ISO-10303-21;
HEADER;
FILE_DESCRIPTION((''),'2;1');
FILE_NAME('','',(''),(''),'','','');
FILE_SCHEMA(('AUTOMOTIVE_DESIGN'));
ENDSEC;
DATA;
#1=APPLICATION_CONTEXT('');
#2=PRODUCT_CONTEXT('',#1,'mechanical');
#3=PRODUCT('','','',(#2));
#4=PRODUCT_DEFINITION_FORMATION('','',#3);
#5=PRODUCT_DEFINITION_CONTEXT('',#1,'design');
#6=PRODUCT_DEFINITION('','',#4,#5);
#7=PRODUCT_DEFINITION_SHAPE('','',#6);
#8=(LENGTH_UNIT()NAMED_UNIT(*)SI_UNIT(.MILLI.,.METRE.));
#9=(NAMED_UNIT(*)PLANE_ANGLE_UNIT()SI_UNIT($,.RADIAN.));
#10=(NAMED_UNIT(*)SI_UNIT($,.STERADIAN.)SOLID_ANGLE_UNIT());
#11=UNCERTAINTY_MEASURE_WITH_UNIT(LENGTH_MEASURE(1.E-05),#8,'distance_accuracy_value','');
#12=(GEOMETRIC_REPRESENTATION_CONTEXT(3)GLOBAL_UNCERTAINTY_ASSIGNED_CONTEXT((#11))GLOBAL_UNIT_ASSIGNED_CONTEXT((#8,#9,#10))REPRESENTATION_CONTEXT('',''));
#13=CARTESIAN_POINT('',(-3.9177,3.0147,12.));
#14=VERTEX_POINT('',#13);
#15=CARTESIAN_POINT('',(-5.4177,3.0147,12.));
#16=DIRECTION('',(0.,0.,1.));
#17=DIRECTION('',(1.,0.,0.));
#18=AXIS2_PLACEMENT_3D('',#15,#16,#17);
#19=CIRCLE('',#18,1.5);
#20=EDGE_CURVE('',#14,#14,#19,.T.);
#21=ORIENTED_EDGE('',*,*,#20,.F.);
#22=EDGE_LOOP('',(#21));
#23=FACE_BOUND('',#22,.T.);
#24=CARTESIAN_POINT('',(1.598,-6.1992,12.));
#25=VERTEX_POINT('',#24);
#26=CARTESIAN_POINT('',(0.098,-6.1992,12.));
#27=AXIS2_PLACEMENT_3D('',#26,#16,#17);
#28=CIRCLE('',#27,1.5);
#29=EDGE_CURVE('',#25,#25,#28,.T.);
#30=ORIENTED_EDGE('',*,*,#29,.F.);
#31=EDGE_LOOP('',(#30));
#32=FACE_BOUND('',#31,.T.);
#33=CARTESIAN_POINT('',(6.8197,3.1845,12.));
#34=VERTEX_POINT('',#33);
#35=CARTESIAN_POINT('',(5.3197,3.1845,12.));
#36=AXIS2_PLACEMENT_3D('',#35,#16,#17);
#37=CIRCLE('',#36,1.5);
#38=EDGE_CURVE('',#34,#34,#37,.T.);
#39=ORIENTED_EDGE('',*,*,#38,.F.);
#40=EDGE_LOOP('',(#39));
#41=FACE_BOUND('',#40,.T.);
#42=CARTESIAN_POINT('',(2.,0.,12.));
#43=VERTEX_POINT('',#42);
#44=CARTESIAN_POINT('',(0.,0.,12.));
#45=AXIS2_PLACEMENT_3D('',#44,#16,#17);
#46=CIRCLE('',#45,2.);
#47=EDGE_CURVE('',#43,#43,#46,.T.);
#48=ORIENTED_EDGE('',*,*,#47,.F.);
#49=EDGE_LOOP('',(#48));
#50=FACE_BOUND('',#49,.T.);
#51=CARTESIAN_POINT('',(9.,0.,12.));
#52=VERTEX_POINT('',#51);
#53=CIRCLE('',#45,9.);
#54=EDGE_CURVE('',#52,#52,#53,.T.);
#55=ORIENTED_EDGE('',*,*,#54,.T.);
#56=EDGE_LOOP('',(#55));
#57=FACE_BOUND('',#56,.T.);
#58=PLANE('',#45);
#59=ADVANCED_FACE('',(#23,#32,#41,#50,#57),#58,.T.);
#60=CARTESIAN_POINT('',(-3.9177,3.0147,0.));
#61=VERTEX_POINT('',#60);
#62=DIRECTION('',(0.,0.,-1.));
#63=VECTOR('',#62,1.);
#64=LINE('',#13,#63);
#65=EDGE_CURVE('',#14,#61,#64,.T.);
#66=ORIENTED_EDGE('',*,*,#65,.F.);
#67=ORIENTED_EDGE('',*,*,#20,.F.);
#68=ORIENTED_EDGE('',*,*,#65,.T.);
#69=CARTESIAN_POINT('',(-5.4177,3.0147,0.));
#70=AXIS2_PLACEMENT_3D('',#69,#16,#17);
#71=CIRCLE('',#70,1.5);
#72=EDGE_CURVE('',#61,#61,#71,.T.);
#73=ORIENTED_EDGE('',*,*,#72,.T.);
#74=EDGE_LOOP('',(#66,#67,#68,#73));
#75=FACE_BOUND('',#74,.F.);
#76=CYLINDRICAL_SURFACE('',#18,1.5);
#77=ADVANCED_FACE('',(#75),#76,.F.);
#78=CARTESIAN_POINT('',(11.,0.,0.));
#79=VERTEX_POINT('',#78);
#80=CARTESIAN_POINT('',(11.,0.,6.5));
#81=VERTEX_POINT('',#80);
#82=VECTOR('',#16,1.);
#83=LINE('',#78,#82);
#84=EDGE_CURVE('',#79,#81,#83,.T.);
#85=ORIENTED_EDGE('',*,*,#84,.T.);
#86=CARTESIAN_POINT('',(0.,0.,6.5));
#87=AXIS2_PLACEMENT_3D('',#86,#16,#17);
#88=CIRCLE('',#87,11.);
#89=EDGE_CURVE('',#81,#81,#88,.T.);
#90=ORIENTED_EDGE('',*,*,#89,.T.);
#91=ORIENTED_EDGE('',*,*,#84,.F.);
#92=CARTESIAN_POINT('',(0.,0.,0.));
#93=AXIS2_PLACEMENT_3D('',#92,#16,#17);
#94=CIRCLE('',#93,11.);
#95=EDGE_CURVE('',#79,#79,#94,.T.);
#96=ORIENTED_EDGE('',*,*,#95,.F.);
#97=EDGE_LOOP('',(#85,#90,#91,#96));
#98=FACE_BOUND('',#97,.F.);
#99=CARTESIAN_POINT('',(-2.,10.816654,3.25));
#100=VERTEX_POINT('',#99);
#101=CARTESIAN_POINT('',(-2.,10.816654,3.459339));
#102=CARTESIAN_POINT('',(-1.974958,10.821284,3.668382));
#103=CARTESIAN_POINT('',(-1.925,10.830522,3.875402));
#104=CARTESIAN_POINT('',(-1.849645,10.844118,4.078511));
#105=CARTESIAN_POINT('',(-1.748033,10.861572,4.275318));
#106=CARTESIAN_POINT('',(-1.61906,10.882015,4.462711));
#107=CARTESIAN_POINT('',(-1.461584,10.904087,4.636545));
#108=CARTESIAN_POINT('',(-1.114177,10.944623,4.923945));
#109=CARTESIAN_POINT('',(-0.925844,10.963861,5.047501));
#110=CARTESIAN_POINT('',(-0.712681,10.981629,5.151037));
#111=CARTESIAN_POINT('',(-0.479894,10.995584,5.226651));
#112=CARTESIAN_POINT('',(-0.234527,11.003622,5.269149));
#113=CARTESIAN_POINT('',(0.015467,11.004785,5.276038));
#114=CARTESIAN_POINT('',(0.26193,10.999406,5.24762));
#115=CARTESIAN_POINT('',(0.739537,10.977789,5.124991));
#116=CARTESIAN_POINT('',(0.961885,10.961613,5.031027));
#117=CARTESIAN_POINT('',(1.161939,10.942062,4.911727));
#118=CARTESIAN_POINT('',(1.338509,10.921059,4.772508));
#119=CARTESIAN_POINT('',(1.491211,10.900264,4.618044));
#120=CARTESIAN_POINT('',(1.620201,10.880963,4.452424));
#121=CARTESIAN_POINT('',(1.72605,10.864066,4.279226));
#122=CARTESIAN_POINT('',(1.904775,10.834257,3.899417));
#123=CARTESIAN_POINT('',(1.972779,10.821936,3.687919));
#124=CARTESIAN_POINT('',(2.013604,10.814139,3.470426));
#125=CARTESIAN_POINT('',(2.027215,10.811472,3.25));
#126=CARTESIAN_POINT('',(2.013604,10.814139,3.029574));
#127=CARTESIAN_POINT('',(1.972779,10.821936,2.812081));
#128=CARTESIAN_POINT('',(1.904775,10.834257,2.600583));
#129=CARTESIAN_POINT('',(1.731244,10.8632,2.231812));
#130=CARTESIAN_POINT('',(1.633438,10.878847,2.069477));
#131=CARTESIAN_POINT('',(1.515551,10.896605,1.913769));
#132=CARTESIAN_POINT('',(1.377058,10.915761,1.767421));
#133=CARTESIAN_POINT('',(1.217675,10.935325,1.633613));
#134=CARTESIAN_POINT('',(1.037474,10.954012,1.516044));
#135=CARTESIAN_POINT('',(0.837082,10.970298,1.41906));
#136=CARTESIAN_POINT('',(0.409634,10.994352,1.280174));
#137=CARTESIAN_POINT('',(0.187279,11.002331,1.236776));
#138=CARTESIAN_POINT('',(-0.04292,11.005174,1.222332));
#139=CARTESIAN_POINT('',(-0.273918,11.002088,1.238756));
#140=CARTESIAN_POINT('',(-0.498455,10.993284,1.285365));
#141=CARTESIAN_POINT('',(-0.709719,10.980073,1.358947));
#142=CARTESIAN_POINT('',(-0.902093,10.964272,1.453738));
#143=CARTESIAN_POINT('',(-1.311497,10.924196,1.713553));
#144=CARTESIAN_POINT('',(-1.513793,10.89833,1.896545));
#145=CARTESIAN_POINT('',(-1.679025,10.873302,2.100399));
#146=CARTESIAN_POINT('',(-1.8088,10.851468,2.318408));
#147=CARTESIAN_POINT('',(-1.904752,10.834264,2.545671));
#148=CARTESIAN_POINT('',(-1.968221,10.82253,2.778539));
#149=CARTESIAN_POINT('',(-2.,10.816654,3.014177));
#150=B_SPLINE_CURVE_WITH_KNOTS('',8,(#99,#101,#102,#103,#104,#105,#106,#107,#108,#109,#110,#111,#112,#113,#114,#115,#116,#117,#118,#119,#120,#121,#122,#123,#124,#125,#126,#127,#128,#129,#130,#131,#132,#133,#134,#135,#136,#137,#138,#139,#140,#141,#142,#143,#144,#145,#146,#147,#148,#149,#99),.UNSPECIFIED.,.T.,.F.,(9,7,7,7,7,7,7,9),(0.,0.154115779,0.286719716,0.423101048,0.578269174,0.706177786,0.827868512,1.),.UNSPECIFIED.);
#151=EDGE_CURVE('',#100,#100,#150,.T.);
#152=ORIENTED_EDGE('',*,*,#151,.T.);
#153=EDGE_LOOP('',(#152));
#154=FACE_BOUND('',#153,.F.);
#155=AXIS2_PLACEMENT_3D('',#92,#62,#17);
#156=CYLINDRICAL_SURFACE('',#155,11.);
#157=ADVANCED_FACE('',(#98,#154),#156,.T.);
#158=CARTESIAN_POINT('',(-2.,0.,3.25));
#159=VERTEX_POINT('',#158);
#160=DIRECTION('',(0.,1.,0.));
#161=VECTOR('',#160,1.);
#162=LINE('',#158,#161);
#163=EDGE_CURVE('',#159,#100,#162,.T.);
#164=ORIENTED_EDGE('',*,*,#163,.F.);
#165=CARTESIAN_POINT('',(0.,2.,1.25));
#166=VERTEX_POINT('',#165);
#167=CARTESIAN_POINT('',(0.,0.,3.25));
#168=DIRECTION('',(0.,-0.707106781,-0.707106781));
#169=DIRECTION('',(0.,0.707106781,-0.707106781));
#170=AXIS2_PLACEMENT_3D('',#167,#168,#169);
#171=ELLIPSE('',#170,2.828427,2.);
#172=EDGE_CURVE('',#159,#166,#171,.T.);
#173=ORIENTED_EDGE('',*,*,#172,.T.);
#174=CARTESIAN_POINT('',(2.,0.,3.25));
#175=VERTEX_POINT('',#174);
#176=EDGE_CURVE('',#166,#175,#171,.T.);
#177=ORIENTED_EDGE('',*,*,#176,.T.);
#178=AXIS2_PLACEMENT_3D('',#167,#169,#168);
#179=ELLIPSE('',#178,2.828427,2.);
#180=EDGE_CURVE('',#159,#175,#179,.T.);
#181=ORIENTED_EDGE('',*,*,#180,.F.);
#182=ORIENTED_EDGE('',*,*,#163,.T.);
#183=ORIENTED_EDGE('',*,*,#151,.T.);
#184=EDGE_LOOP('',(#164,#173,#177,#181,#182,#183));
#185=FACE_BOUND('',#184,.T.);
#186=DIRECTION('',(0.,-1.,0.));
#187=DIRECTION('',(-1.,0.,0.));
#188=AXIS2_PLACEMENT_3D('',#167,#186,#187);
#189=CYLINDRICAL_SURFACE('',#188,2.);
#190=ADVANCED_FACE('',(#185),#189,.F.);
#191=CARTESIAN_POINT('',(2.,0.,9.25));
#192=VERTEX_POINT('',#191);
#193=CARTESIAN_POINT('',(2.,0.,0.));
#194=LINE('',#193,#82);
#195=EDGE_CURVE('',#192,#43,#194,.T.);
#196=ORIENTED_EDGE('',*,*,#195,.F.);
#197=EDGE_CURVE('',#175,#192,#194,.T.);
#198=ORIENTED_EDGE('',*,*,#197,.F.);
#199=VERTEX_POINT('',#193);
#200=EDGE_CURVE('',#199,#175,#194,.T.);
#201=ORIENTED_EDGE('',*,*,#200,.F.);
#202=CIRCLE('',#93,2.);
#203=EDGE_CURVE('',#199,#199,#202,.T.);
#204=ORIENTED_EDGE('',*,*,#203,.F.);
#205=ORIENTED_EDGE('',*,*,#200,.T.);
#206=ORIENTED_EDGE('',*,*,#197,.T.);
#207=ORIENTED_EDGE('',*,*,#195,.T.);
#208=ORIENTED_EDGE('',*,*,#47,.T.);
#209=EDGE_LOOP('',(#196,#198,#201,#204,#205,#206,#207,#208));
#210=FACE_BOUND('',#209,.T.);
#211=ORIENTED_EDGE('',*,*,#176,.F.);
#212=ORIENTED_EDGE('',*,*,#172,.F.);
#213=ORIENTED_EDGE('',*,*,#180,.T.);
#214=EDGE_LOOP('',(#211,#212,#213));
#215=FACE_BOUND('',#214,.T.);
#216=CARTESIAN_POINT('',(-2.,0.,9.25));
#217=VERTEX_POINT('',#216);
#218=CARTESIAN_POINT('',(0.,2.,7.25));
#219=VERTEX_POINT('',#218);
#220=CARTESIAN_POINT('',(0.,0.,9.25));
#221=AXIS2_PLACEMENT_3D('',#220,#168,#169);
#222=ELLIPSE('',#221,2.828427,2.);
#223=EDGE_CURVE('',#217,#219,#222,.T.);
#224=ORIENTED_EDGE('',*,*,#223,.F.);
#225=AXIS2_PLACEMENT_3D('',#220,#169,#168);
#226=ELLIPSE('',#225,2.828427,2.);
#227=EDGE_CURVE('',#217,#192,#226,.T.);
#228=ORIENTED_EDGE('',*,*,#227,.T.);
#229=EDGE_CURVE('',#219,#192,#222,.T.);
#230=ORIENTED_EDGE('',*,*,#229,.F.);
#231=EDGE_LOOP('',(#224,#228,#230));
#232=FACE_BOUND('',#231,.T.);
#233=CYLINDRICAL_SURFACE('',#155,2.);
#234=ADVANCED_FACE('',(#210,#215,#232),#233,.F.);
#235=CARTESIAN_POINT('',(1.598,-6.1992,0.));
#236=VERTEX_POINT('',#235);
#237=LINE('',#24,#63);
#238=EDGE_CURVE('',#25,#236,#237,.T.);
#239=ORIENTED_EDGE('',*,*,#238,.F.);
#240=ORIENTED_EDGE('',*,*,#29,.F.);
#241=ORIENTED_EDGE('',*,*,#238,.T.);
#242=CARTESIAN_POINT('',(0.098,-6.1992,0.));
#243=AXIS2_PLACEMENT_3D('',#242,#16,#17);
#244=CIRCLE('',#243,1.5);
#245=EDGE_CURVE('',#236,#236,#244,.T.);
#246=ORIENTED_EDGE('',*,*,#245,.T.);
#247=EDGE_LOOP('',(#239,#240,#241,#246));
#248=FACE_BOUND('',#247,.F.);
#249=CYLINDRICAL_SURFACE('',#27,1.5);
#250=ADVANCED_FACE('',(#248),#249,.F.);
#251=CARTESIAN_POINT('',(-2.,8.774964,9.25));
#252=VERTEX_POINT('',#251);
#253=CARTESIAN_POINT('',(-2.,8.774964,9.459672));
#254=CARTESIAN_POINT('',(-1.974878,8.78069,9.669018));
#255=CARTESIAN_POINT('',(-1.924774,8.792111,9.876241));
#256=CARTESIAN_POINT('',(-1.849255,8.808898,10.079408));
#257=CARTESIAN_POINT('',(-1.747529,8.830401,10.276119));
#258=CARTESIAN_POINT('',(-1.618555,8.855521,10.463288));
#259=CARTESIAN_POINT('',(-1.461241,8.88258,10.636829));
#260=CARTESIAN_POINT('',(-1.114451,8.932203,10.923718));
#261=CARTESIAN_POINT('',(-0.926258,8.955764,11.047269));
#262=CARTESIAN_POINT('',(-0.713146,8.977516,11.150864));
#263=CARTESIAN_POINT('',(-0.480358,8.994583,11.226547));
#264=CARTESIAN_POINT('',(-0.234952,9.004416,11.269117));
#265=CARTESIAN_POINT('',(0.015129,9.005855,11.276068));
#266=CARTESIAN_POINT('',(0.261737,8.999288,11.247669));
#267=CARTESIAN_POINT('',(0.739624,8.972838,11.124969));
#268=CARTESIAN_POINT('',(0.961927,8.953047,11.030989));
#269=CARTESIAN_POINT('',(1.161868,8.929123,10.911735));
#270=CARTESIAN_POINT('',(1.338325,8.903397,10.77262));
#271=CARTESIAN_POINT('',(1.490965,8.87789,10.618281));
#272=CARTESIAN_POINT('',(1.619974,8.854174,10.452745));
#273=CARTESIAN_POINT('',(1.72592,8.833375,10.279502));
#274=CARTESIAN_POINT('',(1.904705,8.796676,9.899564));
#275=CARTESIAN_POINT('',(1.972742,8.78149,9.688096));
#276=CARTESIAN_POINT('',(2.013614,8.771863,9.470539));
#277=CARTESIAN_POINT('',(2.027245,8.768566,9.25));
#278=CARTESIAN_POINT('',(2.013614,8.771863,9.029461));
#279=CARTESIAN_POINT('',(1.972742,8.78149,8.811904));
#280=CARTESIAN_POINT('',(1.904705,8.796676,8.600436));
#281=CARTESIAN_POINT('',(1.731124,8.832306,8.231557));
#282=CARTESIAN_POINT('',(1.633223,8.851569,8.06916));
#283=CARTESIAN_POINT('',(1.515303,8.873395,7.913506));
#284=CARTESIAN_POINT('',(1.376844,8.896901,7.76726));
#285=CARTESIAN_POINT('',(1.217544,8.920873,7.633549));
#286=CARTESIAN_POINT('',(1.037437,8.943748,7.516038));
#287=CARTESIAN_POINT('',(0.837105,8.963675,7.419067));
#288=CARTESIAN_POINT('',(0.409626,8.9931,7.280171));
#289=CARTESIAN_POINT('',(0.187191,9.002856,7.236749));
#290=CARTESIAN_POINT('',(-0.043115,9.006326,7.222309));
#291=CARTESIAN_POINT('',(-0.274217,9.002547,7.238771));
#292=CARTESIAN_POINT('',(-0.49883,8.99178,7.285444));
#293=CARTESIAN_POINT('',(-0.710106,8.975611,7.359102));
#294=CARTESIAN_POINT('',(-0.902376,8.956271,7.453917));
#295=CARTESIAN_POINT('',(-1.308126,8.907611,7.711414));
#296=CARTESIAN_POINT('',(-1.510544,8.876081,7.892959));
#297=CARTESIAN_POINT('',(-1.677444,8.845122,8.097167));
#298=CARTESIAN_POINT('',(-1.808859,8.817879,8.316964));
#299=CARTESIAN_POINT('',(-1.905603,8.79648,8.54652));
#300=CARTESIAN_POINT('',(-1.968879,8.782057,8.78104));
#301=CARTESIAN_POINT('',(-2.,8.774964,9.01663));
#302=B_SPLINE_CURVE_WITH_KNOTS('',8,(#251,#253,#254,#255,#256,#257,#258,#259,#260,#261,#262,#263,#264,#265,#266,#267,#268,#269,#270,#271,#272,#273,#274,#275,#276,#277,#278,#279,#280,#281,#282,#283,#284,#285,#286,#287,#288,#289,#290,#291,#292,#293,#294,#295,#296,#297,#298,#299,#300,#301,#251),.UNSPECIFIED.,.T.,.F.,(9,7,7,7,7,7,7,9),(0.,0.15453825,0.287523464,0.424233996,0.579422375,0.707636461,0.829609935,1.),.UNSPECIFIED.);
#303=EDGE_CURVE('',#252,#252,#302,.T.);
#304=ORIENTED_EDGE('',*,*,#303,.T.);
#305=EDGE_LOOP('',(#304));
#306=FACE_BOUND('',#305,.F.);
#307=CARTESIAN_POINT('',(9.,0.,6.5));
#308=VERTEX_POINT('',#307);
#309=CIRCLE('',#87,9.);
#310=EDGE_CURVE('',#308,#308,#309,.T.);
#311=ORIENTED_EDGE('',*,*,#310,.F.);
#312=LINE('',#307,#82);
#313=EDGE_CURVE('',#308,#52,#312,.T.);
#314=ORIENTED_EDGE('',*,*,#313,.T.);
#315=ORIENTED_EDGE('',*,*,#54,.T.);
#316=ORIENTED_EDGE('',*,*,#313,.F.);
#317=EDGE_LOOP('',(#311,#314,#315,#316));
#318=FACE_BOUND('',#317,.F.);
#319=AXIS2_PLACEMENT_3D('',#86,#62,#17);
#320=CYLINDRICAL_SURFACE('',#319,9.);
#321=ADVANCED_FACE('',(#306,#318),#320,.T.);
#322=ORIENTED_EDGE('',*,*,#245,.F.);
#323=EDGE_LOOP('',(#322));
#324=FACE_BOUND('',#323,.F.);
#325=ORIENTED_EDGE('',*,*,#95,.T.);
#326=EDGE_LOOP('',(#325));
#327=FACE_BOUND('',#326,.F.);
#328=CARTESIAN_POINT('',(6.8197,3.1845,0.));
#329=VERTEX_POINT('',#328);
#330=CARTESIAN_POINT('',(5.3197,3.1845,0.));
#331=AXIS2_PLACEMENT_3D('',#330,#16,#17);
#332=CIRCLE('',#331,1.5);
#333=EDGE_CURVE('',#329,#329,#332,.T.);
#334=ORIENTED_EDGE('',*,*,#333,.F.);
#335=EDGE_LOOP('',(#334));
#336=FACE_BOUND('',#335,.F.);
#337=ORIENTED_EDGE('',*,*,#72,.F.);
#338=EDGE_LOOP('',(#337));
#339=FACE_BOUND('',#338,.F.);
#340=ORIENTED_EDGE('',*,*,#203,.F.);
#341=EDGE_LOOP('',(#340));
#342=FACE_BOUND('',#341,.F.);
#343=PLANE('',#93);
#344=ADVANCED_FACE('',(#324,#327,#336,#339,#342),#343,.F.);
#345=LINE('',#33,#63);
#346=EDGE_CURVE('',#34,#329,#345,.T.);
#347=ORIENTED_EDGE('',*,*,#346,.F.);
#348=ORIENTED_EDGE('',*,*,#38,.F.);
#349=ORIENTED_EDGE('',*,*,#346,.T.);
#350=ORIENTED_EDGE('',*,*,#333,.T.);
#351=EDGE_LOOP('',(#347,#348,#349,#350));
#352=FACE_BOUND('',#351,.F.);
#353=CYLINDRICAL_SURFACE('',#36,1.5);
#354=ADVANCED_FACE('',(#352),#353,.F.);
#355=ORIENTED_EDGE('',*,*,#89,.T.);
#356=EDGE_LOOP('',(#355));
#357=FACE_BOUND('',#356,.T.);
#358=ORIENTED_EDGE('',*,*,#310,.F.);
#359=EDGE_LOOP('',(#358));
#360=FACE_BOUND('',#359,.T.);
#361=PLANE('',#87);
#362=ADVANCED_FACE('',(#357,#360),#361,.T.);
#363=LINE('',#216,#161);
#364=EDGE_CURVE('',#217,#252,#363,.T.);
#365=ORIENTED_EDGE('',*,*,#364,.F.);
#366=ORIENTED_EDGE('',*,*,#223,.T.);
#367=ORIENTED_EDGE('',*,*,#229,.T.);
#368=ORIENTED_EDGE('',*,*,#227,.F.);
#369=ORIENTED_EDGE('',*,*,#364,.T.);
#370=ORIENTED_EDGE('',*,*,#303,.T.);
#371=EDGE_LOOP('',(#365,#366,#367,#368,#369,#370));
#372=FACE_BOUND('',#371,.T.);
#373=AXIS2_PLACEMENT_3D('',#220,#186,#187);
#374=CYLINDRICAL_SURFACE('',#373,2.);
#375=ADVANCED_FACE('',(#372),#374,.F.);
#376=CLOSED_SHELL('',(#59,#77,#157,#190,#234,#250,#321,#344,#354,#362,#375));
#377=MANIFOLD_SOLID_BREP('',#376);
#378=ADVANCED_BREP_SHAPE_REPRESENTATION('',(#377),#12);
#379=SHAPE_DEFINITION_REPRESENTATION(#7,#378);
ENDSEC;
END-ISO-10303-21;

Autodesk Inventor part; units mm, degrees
ref_plane "YZ Plane" through (0, 0, 0) normal (1, 0, 0) x (0, 1, 0)
ref_plane "XZ Plane" through (0, 0, 0) normal (0, 1, 0) x (-1, 0, 0)
ref_plane "XY Plane" through (0, 0, 0) normal (0, 0, 1) x (1, 0, 0)
sketch "Sketch1" plane through (0, 0, 0) normal (0, 0, 1) x (1, 0, 0)
  circle A0 centre (0, 0) radius 11
  circle A1 centre (0, 0) radius 2
  dimension "d0" = 22
  dimension "d1" = 4
extrude "Extrusion1" add sketch "Sketch1" along normal blind 6.5
sketch "Sketch2" plane through (0, 0, 6.5) normal (0, 0, 1) x (1, 0, 0)
  circle A0 centre (0, 0) radius 9
  circle A1 centre (0, 0) radius 2
  dimension "d4" = 18
extrude "Extrusion2" add sketch "Sketch2" along normal blind 5.5
sketch "Sketch3" plane through (0, 0, 12) normal (0, 0, 1) x (1, 0, 0)
  circle A0 centre (-5.4177, 3.0147) radius 1.5
  circle A1 centre (0.098, -6.1992) radius 1.5
  circle A2 centre (5.3197, 3.1845) radius 1.5
  circle A3 centre (0, 0) radius 6.2 construction
  dimension "d21" = 12.4
  dimension "d7" = 3
  dimension "d10" = 360
extrude "Extrusion3" cut sketch "Sketch3" against normal through all
sketch "Sketch4" plane through (0, 0, 0) normal (0, 1, 0) x (-1, 0, 0)
  circle A0 centre (0, 9.25) radius 2
  circle A1 centre (0, 3.25) radius 2
  line L0 (0, 0) -> (0, 21.1328) construction
  dimension "d15" = 4
  dimension "d16" = 4
  dimension "d17" = 3.25
  dimension "d18" = 9.25
extrude "Extrusion4" cut sketch "Sketch4" along normal through all
thread "Thread1" size "M4x0.7" class "6H" standard "ISO Metric profile" full length
thread "Thread2" size "M4x0.7" class "6H" standard "ISO Metric profile" full length
thread "Thread3" size "M3x0.5" class "6H" standard "ISO Metric profile" full length
thread "Thread4" size "M3x0.5" class "6H" standard "ISO Metric profile" full length
thread "Thread5" size "M3x0.5" class "6H" standard "ANSI Metric M Profile" full length
properties part number "WheelAdapter-4mm" material "Aluminum 6061"
